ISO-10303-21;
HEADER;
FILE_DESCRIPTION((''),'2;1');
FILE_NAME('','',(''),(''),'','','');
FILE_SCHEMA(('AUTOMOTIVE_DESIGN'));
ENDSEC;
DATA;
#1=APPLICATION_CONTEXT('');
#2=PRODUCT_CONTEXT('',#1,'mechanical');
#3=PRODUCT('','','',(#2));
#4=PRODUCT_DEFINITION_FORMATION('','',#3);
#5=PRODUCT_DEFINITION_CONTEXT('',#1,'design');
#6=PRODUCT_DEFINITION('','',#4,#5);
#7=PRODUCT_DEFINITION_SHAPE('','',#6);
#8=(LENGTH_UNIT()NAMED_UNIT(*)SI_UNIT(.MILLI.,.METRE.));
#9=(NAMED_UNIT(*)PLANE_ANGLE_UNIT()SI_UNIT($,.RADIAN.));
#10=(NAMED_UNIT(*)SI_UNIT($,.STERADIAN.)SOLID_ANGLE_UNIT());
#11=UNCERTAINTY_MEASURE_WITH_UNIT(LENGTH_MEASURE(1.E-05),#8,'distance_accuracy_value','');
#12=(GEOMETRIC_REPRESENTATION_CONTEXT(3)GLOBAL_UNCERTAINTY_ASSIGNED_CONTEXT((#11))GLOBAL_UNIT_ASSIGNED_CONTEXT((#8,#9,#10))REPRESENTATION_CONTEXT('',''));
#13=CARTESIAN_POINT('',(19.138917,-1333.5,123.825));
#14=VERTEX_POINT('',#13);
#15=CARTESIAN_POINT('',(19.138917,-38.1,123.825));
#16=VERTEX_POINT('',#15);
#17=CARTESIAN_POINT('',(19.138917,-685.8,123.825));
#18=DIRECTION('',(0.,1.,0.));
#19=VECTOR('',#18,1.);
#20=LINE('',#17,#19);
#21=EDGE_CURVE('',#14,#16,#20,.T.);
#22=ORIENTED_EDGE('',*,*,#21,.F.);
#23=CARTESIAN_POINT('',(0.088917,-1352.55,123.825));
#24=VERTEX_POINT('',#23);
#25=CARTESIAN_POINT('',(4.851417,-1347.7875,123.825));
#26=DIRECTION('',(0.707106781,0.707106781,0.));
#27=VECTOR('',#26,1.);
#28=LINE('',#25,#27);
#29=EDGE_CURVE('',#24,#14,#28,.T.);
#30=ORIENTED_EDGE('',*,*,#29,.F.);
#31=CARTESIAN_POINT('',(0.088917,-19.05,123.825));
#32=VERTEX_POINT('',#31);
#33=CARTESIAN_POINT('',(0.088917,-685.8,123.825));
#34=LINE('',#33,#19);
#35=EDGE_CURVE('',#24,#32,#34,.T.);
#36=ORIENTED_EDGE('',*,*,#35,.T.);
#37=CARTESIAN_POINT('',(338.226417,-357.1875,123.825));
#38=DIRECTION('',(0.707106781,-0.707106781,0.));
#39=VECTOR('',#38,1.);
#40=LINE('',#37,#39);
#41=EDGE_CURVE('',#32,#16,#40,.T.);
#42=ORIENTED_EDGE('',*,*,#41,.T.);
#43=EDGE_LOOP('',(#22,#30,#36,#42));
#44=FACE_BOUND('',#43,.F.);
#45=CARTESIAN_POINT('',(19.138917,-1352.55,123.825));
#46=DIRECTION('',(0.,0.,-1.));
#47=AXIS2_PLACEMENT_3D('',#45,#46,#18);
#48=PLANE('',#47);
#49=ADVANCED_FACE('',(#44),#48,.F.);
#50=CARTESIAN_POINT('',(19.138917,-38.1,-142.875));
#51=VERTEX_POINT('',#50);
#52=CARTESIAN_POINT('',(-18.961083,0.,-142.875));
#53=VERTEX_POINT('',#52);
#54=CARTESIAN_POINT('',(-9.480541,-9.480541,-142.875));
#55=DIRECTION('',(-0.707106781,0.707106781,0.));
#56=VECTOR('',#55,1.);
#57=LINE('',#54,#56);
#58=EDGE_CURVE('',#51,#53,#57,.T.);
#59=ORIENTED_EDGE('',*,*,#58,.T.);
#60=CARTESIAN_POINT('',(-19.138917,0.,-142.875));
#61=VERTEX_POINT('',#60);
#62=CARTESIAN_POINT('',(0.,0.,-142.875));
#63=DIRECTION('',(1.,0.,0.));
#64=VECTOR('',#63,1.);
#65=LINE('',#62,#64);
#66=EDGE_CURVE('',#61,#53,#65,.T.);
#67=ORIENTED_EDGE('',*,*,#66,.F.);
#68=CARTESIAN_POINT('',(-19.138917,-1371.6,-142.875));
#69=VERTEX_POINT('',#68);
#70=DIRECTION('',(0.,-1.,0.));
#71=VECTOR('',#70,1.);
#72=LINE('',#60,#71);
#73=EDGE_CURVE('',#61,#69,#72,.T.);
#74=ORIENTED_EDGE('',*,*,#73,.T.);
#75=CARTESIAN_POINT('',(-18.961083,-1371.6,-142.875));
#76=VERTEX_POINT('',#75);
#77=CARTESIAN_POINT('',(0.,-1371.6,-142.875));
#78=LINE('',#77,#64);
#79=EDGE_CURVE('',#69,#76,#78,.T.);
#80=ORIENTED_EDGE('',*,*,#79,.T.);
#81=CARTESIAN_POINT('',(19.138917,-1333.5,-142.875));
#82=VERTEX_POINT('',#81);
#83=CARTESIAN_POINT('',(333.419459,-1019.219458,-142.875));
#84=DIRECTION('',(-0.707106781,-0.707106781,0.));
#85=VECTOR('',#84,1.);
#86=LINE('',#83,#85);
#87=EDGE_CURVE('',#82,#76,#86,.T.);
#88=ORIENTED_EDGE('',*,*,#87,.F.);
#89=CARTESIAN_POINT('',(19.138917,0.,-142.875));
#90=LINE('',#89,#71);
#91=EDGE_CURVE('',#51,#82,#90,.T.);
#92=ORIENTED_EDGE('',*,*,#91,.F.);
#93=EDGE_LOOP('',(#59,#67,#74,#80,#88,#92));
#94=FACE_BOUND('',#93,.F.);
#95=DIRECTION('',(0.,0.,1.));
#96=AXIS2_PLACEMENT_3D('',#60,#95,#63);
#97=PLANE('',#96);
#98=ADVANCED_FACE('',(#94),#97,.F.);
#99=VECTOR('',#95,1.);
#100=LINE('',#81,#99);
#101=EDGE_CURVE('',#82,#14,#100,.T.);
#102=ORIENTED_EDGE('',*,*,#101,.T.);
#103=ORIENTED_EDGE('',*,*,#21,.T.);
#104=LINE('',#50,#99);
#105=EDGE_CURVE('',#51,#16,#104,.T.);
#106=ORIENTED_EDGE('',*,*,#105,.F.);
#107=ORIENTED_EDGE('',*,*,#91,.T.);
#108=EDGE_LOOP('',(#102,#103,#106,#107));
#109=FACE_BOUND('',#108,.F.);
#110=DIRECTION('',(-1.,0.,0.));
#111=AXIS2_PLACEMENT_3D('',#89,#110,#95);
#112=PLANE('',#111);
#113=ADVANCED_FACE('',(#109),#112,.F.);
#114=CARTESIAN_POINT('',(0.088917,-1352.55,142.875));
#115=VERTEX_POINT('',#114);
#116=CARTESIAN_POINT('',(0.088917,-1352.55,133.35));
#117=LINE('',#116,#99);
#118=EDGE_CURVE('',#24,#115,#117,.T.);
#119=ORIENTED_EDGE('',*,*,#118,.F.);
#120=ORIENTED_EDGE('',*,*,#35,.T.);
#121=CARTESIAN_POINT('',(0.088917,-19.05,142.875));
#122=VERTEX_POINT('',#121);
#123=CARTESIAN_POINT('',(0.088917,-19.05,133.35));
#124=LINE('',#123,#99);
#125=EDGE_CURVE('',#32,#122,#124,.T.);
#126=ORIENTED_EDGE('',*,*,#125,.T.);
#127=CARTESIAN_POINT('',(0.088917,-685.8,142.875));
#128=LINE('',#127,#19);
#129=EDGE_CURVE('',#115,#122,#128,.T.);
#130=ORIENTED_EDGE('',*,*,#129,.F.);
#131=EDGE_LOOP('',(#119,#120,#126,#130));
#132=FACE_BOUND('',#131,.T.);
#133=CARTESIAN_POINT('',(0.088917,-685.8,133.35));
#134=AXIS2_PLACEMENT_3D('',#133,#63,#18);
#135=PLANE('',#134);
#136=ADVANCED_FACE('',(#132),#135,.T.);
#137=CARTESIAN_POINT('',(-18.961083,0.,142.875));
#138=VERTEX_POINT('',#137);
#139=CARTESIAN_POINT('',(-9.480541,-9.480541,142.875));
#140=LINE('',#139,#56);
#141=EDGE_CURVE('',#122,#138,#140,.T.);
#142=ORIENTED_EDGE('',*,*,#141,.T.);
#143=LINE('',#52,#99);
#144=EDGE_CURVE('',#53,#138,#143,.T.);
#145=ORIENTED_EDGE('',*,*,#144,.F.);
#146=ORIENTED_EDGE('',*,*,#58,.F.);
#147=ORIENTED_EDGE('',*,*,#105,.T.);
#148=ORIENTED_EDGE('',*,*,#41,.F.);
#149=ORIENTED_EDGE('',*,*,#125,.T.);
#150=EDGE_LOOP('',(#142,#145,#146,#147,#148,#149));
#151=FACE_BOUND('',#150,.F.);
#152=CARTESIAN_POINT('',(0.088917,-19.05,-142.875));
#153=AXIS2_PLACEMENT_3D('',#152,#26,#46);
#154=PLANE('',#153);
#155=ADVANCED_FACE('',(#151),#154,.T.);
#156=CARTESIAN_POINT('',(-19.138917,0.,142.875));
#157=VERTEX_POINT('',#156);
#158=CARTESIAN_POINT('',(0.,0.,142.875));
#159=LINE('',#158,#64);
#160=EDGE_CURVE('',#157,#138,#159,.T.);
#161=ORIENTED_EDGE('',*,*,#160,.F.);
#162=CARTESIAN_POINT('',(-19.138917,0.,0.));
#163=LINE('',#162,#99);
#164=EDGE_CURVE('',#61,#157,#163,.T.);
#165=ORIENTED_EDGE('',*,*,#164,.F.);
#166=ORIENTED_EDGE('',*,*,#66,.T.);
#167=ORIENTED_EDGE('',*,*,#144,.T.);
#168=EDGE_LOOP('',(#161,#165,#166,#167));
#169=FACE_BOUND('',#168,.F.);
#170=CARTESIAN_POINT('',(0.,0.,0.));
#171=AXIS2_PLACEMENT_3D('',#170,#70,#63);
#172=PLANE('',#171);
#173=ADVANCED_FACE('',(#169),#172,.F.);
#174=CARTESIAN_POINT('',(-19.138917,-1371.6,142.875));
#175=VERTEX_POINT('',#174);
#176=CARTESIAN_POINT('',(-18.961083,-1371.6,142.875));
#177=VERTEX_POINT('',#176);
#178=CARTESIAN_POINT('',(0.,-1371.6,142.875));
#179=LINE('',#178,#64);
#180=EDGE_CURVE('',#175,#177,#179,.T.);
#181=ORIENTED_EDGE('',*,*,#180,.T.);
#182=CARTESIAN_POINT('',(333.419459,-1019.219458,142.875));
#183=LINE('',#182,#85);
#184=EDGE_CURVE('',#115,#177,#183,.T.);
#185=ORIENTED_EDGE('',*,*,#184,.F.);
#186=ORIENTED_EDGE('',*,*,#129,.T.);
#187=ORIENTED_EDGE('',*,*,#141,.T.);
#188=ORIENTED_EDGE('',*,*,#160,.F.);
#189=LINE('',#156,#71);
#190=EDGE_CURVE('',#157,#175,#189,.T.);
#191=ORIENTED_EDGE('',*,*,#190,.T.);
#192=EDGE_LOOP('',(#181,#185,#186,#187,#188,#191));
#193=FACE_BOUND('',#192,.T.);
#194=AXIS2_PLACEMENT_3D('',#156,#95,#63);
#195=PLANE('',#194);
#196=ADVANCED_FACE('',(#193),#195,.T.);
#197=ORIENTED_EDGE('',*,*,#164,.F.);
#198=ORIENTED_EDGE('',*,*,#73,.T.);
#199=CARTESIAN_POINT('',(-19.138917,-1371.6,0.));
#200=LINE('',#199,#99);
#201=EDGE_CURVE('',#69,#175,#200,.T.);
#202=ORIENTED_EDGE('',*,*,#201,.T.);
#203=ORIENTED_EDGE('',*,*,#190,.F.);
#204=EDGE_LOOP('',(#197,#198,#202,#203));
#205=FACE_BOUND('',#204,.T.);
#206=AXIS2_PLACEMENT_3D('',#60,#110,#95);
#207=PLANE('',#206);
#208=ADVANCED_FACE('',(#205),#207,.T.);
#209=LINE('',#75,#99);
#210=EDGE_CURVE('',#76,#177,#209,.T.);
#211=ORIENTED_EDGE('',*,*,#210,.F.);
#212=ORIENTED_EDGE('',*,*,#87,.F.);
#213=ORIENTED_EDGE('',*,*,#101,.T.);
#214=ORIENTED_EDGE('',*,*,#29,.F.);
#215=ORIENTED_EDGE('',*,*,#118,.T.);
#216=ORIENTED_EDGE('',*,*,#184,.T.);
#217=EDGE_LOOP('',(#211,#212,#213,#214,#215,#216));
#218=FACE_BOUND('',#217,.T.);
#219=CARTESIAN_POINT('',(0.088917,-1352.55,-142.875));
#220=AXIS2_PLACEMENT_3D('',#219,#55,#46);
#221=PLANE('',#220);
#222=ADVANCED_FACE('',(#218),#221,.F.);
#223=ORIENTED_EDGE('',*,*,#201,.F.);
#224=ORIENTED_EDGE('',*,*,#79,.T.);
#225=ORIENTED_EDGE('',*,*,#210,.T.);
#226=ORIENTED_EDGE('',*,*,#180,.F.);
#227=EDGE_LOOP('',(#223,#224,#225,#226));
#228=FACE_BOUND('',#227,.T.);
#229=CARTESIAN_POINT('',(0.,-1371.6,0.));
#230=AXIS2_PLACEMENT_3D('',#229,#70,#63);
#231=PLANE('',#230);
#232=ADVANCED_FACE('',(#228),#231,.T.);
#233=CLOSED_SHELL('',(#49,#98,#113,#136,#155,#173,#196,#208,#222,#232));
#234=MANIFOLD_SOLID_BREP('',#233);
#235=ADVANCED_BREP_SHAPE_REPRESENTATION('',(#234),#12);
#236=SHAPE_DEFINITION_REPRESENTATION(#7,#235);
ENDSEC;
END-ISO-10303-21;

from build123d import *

# Parameters (mm, degrees)
F0_W     = 38.277834
F0_H     = 285.75
F1_DEPTH = 1371.6
F2_SIZE  = 38.1
F3_W     = 1333.5
F3_H     = 19.05
F4_DEPTH = 19.05


with BuildPart() as f1:
    # F0 (on Front) → F1 (new body)
    with BuildSketch(Plane.XZ):
        Rectangle(F0_W, F0_H)
    extrude(amount=F1_DEPTH)

    # F2
    f2_edges = [f1.edges().sort_by_distance(p)[0] for p in [
        (19.138917, -1371.6, 0),
        (19.138917, 0, 0),
    ]]
    chamfer(f2_edges, length=F2_SIZE)

    # F3 (on face) → F4 (cut)
    with BuildSketch(Plane.YZ.offset(19.138917)):
        with Locations((-685.8, 133.35)):
            Rectangle(F3_W, F3_H)
    extrude(amount=-F4_DEPTH, mode=Mode.SUBTRACT)


solid = f1.part
